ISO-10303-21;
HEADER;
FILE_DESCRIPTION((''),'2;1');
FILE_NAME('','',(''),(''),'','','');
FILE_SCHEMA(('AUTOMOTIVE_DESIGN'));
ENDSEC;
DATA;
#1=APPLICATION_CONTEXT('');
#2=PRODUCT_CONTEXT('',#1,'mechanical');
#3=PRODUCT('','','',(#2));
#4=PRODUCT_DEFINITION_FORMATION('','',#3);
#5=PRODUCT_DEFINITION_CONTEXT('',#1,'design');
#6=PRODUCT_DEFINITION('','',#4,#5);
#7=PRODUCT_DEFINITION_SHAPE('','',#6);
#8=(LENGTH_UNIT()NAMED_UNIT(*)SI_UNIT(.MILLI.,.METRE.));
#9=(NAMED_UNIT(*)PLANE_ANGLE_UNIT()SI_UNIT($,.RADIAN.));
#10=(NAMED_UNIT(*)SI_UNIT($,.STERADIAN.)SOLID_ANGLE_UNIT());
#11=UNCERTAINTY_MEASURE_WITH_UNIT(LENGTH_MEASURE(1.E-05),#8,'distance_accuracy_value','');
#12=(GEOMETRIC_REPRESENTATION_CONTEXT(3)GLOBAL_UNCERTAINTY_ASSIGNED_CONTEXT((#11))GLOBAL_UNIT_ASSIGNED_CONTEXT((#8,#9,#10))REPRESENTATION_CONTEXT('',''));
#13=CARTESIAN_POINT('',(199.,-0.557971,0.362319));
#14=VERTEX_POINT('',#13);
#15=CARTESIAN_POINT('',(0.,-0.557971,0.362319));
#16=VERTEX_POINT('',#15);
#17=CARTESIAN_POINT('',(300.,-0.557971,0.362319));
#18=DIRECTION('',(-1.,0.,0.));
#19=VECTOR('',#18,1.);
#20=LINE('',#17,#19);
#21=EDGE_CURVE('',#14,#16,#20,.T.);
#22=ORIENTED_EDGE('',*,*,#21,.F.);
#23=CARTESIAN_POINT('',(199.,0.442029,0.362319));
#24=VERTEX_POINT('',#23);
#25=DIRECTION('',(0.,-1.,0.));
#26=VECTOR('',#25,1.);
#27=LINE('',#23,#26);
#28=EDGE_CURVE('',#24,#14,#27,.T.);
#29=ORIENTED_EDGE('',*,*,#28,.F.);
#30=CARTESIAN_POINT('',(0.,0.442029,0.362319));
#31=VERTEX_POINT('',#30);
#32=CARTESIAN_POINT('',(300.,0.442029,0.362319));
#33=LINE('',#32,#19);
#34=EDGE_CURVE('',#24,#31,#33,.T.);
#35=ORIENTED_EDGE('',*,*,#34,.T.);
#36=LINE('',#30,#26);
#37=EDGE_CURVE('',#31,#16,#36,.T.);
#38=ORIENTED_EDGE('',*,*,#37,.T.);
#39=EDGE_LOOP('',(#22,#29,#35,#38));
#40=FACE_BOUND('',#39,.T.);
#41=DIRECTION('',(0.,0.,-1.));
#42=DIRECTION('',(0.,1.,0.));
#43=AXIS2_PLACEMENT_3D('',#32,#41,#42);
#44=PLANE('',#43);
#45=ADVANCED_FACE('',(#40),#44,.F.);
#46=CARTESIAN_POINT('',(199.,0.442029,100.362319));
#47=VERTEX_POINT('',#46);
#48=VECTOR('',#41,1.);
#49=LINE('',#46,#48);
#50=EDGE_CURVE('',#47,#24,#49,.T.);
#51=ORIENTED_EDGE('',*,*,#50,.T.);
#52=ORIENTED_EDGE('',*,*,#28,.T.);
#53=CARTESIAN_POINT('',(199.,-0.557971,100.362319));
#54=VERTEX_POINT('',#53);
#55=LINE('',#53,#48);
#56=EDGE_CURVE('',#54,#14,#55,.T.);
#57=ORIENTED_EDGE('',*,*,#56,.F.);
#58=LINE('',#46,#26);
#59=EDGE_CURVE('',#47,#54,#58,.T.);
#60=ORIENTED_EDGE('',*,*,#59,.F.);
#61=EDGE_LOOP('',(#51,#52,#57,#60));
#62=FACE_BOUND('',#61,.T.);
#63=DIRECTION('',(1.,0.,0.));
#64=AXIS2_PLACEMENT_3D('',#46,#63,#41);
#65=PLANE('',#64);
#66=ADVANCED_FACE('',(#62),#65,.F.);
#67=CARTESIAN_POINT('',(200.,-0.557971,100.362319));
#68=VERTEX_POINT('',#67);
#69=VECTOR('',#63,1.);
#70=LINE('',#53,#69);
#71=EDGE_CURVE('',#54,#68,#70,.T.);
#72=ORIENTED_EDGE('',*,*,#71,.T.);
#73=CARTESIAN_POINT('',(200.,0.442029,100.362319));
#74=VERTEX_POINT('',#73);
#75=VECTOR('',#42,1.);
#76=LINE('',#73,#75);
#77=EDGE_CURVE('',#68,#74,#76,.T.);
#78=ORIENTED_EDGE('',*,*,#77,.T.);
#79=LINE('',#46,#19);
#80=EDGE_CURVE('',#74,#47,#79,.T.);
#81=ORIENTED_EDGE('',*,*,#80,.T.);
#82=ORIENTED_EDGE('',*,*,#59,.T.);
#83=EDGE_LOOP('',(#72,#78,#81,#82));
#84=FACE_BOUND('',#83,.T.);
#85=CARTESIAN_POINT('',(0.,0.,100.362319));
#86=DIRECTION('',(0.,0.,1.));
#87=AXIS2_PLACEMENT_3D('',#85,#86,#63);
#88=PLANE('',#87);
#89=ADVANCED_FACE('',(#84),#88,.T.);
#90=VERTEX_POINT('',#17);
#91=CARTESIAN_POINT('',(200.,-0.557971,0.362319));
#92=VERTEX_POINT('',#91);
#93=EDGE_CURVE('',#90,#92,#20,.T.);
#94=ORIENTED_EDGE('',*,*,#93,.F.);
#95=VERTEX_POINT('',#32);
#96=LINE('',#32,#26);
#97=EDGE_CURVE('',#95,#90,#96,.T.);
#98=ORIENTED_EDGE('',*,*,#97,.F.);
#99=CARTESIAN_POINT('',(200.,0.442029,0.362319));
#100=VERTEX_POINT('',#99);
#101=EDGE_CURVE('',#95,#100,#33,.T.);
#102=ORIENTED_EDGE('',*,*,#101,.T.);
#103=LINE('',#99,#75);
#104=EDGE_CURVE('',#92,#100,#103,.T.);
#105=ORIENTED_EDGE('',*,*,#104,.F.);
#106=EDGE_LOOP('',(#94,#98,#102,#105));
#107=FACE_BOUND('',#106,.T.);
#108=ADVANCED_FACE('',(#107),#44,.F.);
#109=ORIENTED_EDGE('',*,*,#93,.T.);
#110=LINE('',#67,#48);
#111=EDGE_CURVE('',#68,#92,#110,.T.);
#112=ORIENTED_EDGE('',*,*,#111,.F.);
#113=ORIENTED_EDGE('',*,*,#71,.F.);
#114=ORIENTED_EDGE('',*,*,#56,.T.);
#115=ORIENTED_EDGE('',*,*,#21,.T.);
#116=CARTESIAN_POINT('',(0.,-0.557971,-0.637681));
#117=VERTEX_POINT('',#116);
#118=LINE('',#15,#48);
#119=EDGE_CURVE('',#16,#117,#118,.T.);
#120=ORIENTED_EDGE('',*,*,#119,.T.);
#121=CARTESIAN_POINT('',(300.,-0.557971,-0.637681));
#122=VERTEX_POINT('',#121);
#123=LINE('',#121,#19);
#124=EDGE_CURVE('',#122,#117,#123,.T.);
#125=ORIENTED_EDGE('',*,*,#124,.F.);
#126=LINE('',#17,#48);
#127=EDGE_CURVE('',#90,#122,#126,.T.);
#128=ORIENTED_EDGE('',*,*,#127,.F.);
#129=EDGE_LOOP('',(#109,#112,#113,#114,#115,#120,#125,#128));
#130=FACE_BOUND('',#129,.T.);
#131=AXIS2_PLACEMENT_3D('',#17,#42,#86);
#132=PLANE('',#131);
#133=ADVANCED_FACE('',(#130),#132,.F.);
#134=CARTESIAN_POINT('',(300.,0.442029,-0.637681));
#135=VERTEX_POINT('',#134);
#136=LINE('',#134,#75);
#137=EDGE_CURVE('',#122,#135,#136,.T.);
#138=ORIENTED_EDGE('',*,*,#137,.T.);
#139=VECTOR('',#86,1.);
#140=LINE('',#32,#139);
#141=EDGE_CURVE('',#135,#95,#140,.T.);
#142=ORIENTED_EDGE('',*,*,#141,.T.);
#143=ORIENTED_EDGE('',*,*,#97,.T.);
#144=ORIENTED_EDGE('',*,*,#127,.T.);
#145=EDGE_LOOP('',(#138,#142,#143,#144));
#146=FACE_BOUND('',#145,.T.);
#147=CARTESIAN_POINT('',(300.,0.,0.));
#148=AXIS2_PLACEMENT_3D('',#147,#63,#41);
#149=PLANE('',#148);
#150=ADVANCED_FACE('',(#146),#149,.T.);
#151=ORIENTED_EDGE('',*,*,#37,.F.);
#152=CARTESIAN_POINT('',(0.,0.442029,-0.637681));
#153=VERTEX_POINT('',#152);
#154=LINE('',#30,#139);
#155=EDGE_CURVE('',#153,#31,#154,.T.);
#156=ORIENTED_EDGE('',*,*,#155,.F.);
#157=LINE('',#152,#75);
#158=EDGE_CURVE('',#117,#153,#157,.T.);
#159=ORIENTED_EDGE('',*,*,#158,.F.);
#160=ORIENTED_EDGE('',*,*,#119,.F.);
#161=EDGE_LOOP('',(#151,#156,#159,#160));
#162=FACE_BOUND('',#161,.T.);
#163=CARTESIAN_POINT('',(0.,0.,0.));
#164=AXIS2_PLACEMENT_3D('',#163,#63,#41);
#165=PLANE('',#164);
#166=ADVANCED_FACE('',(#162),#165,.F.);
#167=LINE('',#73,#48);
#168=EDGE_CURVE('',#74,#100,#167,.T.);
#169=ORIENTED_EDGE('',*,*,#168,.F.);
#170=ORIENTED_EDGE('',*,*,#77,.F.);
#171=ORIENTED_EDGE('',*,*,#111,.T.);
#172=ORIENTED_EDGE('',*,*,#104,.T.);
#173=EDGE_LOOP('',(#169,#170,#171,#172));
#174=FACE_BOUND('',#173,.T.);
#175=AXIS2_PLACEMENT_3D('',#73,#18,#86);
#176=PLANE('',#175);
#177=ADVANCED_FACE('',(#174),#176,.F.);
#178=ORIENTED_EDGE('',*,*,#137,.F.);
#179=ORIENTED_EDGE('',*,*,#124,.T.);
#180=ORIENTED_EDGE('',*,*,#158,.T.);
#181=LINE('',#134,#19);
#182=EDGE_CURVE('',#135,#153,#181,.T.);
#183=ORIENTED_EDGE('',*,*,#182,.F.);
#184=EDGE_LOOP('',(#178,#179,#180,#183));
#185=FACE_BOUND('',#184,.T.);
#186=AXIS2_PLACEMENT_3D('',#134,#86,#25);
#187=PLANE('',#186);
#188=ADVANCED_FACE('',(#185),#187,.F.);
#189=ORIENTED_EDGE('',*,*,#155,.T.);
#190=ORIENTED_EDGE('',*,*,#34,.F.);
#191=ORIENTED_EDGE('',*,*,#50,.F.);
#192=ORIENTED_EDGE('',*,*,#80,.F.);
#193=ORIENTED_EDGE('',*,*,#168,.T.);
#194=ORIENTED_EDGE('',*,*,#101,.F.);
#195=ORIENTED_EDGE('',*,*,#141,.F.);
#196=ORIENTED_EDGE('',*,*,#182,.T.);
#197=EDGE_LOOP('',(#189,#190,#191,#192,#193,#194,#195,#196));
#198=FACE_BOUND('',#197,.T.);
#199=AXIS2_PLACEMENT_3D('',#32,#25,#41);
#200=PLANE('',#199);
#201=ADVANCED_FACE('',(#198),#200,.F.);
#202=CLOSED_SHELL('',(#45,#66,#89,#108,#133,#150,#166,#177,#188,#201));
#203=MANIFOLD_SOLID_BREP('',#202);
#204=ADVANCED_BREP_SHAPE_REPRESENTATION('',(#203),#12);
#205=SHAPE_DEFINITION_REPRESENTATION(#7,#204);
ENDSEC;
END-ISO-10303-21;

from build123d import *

# Parameters (mm, degrees)
SKETCH1_W           = 1
SKETCH1_H           = 1
BOSS_EXTRUDE1_DEPTH = 300
SKETCH2_W           = 1
SKETCH2_H           = 1
BOSS_EXTRUDE2_DEPTH = 100


with BuildPart() as part:
    # Sketch1 → Boss-Extrude1 (new body)
    with BuildSketch(Plane(origin=(0, 0, 0), x_dir=(0, 0, -1), z_dir=(1, 0, 0))):
        with Locations((0.137681159, -0.057971014)):
            Rectangle(SKETCH1_W, SKETCH1_H)
    extrude(amount=BOSS_EXTRUDE1_DEPTH)

    # Sketch2 → Boss-Extrude2 (add)
    with BuildSketch(Plane.XY.offset(0.362318841)):
        with Locations((199.5, -0.057971014)):
            Rectangle(SKETCH2_W, SKETCH2_H)
    extrude(amount=BOSS_EXTRUDE2_DEPTH)


solid = part.part
